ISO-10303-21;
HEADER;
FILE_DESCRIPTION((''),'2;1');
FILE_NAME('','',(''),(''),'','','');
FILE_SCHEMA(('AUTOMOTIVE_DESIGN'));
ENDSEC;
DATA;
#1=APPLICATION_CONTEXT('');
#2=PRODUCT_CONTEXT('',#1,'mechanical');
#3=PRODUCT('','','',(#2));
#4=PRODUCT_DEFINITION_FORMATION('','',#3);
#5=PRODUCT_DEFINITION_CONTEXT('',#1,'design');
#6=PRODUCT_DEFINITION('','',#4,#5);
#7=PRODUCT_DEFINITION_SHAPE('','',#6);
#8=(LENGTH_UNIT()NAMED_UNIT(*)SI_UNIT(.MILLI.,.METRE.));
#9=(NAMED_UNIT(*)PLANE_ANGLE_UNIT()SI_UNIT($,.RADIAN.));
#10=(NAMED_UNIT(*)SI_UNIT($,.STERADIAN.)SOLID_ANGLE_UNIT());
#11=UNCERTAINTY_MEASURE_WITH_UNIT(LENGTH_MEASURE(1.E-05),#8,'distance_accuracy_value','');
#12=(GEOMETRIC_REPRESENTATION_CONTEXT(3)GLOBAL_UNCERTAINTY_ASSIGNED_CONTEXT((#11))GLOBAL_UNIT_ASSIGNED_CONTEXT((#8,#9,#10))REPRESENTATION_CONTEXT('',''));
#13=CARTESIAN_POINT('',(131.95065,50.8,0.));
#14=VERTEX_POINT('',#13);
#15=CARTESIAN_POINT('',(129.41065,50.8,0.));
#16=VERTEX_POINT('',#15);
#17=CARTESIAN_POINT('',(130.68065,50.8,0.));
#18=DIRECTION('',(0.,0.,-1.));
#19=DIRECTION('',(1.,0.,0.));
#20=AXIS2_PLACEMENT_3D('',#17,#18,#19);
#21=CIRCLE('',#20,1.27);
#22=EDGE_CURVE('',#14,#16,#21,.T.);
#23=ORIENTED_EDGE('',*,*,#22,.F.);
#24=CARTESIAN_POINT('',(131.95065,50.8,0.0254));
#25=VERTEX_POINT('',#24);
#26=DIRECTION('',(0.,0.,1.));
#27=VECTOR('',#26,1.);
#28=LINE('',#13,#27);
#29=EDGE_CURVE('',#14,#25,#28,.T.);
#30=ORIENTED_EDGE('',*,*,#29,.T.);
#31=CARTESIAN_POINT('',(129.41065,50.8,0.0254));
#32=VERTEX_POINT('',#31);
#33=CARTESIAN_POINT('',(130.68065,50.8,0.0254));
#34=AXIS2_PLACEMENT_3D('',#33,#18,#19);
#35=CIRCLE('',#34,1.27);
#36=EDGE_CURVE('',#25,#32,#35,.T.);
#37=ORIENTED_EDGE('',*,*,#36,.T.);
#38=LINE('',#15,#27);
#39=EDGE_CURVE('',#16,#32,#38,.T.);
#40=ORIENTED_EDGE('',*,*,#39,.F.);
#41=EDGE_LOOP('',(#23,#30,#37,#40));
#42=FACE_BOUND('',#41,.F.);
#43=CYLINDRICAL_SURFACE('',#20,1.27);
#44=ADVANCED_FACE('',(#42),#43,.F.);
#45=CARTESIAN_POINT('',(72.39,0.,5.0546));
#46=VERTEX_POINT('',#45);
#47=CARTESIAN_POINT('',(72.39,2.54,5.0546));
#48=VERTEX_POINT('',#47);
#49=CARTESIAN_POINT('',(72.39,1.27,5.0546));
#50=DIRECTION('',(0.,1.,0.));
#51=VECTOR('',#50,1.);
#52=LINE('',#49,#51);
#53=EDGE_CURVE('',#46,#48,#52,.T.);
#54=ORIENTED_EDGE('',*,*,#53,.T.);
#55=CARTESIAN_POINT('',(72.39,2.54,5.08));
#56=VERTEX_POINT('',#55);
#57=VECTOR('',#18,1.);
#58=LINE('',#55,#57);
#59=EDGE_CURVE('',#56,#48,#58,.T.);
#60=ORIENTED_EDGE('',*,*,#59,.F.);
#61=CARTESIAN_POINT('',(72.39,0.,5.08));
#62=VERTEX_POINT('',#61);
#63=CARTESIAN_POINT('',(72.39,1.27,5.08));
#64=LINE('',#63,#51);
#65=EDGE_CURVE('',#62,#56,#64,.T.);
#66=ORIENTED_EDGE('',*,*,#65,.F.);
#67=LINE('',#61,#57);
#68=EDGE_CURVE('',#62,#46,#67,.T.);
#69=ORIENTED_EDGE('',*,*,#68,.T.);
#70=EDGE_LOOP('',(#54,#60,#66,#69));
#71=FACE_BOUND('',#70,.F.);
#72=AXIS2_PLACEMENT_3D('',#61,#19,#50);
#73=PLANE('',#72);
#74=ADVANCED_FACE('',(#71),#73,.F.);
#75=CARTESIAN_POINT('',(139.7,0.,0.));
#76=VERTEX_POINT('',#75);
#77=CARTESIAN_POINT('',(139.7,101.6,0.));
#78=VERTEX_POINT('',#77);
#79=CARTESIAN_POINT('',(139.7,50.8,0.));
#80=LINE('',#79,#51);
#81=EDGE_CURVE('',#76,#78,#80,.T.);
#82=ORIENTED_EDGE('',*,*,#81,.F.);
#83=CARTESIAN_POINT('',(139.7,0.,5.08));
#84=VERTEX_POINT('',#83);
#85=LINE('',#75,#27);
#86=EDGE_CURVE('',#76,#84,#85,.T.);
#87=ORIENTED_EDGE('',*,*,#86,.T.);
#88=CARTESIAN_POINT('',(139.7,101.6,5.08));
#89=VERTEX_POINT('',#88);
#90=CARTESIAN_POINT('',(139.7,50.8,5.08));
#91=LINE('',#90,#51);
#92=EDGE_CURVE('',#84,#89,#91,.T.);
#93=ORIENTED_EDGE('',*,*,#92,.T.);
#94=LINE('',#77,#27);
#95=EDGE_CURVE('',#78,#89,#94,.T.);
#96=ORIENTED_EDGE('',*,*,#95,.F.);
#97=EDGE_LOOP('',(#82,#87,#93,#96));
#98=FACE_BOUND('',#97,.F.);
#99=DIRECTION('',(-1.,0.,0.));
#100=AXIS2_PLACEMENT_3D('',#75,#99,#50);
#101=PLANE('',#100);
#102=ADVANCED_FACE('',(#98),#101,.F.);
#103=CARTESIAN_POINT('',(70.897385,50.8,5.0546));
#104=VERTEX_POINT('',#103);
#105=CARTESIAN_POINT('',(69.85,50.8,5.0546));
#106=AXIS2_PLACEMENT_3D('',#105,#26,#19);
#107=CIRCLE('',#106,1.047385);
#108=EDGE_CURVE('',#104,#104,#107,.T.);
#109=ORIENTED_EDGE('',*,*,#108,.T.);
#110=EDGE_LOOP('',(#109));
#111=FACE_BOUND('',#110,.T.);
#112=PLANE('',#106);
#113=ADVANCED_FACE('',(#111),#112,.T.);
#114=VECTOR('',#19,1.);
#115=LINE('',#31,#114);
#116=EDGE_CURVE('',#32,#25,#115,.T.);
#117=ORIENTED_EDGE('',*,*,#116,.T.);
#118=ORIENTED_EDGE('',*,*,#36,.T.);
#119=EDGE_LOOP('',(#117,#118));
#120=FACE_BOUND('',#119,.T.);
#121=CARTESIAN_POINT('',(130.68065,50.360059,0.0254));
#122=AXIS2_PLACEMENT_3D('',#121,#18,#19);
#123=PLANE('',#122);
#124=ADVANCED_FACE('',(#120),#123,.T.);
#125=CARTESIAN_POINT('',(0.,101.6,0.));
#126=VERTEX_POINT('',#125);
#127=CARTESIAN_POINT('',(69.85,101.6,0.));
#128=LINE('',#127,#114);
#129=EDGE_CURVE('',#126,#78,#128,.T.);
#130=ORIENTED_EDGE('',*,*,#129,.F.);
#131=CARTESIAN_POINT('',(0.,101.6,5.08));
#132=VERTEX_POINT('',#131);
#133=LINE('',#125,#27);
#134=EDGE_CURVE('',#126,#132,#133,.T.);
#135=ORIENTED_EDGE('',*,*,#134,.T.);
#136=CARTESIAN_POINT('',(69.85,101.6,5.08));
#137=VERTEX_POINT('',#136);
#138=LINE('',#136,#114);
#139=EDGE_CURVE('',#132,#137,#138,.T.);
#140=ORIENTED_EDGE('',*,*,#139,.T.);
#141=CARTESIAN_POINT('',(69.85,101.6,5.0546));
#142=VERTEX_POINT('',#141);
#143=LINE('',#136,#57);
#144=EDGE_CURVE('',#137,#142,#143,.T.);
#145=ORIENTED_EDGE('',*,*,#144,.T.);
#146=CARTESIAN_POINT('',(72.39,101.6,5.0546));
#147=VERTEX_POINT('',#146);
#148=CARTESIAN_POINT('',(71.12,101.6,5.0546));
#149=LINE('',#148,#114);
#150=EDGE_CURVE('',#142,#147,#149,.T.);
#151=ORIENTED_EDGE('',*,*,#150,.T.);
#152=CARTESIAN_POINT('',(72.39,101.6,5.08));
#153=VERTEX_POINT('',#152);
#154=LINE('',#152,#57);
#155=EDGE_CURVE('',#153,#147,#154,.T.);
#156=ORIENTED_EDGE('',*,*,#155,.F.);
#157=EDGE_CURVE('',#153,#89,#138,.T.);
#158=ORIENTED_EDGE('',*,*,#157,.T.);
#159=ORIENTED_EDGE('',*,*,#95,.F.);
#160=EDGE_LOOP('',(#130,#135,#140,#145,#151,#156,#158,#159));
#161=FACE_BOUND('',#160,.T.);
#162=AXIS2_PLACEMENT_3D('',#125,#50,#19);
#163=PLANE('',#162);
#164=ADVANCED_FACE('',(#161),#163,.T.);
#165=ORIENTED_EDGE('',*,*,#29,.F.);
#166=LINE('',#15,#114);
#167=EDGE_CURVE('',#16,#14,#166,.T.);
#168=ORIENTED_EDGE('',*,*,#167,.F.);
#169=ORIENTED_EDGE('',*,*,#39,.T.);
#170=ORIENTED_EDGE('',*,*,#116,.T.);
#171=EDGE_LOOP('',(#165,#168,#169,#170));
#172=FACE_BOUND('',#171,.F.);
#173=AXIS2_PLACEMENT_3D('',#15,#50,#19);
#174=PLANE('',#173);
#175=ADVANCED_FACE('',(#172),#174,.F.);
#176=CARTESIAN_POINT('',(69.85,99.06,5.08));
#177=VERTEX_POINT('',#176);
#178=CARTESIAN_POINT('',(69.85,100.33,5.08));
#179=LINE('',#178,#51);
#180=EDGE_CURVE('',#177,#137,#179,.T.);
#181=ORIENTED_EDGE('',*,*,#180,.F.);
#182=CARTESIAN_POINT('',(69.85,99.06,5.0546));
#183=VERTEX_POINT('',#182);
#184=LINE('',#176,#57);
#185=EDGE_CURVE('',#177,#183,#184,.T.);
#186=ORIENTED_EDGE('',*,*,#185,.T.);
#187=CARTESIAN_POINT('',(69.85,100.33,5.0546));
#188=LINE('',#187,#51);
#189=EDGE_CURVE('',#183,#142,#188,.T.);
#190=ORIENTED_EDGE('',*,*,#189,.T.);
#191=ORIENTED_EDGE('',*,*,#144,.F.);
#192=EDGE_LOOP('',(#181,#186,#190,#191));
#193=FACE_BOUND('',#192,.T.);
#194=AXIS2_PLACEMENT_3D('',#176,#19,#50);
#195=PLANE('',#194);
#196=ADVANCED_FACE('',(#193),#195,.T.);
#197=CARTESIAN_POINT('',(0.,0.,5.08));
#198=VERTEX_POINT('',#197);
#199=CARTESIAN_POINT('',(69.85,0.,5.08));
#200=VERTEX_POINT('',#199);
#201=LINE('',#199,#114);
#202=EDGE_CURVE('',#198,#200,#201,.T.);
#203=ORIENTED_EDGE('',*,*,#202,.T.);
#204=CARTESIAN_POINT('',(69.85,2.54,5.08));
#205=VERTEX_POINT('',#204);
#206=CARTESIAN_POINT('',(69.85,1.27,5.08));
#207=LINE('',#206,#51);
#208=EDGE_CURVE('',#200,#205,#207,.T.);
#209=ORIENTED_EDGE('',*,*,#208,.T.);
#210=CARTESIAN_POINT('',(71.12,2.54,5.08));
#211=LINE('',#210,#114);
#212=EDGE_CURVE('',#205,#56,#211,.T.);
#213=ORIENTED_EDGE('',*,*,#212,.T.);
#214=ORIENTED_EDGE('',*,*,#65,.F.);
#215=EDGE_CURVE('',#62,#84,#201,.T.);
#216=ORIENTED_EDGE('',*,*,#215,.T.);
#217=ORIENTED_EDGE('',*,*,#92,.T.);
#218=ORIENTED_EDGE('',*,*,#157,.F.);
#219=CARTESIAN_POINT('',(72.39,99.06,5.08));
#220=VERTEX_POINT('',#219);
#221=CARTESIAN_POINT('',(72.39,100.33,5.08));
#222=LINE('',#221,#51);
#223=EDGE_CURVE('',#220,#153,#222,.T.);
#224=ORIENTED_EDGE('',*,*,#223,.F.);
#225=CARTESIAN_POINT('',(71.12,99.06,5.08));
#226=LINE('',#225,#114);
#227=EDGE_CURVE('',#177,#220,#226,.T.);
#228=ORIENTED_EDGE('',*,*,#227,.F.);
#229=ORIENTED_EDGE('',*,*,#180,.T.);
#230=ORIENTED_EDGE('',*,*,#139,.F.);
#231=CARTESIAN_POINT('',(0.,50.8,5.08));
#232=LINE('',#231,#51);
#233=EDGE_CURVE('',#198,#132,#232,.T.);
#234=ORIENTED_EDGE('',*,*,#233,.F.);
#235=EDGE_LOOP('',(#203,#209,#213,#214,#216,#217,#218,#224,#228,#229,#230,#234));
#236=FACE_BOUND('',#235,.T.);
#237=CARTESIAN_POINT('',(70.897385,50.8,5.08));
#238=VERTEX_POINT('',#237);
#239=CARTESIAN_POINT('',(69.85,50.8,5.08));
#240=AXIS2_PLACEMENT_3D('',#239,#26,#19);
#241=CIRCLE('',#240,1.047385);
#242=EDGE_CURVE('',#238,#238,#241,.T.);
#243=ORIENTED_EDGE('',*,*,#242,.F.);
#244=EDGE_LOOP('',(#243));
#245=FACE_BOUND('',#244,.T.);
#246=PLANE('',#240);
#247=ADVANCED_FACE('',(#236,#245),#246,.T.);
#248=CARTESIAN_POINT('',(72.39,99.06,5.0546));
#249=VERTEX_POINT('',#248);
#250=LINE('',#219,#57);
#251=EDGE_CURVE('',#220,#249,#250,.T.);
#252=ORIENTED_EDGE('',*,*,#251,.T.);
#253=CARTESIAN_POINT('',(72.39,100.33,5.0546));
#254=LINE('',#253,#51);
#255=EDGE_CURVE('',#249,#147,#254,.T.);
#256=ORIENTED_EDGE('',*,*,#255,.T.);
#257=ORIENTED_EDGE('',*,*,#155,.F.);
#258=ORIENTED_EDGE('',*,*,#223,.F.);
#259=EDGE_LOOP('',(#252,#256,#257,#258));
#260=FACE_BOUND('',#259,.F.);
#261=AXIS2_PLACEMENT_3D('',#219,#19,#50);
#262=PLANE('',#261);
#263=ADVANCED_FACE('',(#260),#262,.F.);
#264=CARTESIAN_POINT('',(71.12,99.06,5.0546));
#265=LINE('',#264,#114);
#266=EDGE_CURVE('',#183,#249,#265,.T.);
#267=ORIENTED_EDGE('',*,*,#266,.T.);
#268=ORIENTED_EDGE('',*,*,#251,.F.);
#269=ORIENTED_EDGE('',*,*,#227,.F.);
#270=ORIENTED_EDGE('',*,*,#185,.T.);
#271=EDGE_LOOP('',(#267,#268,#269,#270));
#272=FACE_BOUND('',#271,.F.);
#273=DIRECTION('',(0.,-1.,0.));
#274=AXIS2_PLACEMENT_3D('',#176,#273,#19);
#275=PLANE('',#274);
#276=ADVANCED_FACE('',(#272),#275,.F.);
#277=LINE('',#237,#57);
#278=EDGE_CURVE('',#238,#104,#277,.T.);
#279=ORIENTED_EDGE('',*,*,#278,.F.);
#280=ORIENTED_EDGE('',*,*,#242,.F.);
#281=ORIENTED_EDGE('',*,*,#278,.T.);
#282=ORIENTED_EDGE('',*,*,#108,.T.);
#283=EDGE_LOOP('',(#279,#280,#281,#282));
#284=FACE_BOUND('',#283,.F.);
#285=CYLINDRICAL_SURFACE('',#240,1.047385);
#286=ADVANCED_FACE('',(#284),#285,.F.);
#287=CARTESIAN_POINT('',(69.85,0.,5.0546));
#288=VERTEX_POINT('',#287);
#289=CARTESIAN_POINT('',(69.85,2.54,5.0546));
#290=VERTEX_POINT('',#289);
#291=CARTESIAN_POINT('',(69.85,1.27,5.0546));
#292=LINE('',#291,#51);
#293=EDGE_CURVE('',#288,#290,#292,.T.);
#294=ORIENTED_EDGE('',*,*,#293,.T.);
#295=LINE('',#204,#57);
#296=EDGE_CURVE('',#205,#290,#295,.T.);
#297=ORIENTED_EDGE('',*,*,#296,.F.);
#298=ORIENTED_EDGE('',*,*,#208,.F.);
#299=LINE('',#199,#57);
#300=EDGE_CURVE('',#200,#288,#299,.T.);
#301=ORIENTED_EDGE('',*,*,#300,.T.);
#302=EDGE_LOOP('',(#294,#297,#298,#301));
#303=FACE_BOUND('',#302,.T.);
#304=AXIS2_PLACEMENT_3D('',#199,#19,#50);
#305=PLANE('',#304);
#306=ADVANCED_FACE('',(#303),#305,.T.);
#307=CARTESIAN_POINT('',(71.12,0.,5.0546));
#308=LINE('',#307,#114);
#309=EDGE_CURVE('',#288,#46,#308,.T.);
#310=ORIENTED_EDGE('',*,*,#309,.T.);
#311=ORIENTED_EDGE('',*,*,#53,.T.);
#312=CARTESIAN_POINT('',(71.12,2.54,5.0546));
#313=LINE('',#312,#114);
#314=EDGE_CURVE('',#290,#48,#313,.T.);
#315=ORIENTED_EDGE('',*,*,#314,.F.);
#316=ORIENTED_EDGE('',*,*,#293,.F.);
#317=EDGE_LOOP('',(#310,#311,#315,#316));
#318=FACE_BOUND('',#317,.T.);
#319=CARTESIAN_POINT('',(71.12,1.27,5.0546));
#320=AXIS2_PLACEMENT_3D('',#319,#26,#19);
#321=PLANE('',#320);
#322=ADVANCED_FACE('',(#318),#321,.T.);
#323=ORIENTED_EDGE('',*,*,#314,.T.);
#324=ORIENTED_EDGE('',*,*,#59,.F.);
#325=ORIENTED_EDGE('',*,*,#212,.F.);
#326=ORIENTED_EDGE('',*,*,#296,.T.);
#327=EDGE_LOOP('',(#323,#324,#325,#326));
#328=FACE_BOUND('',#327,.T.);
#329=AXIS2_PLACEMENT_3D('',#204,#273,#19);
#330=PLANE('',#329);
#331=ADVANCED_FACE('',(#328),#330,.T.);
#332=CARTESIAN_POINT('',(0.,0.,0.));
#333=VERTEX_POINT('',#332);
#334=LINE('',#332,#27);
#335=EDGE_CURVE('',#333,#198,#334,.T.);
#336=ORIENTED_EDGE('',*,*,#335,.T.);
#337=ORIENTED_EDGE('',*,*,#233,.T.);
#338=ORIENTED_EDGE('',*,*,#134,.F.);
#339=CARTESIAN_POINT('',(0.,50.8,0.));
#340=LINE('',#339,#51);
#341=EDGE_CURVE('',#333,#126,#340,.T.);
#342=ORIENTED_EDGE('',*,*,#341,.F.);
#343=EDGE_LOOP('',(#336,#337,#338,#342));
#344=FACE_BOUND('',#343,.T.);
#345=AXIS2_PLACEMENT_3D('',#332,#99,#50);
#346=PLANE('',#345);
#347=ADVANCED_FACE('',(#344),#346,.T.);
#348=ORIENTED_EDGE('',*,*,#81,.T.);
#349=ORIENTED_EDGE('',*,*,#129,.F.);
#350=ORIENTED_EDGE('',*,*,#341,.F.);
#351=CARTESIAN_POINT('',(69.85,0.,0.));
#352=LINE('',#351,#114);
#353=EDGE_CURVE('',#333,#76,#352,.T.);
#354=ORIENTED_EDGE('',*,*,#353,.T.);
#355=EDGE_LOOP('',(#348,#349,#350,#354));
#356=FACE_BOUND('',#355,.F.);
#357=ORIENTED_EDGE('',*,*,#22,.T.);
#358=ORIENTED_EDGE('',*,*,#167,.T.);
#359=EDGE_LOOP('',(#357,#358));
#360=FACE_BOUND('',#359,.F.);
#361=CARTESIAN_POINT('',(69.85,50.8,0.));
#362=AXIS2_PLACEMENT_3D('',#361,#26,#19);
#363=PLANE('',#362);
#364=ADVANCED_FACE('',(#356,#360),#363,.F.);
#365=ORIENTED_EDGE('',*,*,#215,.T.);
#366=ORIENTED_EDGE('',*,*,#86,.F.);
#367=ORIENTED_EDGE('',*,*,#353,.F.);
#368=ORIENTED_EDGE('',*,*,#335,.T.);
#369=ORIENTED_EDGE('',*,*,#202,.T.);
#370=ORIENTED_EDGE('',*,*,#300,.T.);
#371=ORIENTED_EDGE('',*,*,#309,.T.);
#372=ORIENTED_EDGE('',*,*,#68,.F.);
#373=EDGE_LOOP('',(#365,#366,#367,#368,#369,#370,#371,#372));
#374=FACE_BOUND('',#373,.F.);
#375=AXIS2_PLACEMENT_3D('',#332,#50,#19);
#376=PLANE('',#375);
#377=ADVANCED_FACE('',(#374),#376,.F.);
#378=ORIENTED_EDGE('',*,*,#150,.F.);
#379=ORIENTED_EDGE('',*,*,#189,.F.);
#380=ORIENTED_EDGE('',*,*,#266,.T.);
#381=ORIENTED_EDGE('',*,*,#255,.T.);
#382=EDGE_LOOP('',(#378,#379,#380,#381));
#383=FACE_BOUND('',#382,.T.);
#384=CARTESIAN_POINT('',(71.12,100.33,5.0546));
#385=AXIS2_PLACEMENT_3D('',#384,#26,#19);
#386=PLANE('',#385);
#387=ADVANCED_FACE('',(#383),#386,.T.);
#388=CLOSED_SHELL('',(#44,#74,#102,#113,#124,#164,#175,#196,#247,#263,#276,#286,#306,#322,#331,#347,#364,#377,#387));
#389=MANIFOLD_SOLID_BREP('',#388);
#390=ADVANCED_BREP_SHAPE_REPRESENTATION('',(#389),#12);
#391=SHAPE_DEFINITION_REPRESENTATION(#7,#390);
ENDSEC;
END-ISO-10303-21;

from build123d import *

# Parameters (mm, degrees)
F0_W     = 139.7
F0_H     = 101.6
F1_DEPTH = 5.08
F2_W     = 2.54
F2_H     = 2.54
F2_R     = 1.0473849044
F3_DEPTH = 0.0254
F5_DEPTH = 0.0254


with BuildPart() as f1:
    # F0 (on Top) → F1 (new body)
    with BuildSketch(Plane.XY):
        with Locations((69.85, 50.8)):
            Rectangle(F0_W, F0_H)
    extrude(amount=F1_DEPTH)

    # F2 (on face) → F3 (cut)
    with BuildSketch(Plane.XY.offset(5.08)):
        with Locations((71.12, 1.27)):
            Rectangle(F2_W, F2_H)
        with Locations((71.12, 100.33)):
            Rectangle(F2_W, F2_H)
        with Locations((69.85, 50.8)):
            Circle(F2_R)
    extrude(amount=-F3_DEPTH, mode=Mode.SUBTRACT)

    # F4 (on face) → F5 (cut)
    with BuildSketch(Plane(origin=(0, 0, 0), x_dir=(1, 0, 0), z_dir=(0, 0, -1))):
        with BuildLine():
            Line((129.4106504726, -50.8), (131.9506504726, -50.8))
            ThreePointArc((131.9506504726, -50.8), (130.6806504726, -49.53), (129.4106504726, -50.8))
        make_face()
    extrude(amount=-F5_DEPTH, mode=Mode.SUBTRACT)


solid = f1.part
